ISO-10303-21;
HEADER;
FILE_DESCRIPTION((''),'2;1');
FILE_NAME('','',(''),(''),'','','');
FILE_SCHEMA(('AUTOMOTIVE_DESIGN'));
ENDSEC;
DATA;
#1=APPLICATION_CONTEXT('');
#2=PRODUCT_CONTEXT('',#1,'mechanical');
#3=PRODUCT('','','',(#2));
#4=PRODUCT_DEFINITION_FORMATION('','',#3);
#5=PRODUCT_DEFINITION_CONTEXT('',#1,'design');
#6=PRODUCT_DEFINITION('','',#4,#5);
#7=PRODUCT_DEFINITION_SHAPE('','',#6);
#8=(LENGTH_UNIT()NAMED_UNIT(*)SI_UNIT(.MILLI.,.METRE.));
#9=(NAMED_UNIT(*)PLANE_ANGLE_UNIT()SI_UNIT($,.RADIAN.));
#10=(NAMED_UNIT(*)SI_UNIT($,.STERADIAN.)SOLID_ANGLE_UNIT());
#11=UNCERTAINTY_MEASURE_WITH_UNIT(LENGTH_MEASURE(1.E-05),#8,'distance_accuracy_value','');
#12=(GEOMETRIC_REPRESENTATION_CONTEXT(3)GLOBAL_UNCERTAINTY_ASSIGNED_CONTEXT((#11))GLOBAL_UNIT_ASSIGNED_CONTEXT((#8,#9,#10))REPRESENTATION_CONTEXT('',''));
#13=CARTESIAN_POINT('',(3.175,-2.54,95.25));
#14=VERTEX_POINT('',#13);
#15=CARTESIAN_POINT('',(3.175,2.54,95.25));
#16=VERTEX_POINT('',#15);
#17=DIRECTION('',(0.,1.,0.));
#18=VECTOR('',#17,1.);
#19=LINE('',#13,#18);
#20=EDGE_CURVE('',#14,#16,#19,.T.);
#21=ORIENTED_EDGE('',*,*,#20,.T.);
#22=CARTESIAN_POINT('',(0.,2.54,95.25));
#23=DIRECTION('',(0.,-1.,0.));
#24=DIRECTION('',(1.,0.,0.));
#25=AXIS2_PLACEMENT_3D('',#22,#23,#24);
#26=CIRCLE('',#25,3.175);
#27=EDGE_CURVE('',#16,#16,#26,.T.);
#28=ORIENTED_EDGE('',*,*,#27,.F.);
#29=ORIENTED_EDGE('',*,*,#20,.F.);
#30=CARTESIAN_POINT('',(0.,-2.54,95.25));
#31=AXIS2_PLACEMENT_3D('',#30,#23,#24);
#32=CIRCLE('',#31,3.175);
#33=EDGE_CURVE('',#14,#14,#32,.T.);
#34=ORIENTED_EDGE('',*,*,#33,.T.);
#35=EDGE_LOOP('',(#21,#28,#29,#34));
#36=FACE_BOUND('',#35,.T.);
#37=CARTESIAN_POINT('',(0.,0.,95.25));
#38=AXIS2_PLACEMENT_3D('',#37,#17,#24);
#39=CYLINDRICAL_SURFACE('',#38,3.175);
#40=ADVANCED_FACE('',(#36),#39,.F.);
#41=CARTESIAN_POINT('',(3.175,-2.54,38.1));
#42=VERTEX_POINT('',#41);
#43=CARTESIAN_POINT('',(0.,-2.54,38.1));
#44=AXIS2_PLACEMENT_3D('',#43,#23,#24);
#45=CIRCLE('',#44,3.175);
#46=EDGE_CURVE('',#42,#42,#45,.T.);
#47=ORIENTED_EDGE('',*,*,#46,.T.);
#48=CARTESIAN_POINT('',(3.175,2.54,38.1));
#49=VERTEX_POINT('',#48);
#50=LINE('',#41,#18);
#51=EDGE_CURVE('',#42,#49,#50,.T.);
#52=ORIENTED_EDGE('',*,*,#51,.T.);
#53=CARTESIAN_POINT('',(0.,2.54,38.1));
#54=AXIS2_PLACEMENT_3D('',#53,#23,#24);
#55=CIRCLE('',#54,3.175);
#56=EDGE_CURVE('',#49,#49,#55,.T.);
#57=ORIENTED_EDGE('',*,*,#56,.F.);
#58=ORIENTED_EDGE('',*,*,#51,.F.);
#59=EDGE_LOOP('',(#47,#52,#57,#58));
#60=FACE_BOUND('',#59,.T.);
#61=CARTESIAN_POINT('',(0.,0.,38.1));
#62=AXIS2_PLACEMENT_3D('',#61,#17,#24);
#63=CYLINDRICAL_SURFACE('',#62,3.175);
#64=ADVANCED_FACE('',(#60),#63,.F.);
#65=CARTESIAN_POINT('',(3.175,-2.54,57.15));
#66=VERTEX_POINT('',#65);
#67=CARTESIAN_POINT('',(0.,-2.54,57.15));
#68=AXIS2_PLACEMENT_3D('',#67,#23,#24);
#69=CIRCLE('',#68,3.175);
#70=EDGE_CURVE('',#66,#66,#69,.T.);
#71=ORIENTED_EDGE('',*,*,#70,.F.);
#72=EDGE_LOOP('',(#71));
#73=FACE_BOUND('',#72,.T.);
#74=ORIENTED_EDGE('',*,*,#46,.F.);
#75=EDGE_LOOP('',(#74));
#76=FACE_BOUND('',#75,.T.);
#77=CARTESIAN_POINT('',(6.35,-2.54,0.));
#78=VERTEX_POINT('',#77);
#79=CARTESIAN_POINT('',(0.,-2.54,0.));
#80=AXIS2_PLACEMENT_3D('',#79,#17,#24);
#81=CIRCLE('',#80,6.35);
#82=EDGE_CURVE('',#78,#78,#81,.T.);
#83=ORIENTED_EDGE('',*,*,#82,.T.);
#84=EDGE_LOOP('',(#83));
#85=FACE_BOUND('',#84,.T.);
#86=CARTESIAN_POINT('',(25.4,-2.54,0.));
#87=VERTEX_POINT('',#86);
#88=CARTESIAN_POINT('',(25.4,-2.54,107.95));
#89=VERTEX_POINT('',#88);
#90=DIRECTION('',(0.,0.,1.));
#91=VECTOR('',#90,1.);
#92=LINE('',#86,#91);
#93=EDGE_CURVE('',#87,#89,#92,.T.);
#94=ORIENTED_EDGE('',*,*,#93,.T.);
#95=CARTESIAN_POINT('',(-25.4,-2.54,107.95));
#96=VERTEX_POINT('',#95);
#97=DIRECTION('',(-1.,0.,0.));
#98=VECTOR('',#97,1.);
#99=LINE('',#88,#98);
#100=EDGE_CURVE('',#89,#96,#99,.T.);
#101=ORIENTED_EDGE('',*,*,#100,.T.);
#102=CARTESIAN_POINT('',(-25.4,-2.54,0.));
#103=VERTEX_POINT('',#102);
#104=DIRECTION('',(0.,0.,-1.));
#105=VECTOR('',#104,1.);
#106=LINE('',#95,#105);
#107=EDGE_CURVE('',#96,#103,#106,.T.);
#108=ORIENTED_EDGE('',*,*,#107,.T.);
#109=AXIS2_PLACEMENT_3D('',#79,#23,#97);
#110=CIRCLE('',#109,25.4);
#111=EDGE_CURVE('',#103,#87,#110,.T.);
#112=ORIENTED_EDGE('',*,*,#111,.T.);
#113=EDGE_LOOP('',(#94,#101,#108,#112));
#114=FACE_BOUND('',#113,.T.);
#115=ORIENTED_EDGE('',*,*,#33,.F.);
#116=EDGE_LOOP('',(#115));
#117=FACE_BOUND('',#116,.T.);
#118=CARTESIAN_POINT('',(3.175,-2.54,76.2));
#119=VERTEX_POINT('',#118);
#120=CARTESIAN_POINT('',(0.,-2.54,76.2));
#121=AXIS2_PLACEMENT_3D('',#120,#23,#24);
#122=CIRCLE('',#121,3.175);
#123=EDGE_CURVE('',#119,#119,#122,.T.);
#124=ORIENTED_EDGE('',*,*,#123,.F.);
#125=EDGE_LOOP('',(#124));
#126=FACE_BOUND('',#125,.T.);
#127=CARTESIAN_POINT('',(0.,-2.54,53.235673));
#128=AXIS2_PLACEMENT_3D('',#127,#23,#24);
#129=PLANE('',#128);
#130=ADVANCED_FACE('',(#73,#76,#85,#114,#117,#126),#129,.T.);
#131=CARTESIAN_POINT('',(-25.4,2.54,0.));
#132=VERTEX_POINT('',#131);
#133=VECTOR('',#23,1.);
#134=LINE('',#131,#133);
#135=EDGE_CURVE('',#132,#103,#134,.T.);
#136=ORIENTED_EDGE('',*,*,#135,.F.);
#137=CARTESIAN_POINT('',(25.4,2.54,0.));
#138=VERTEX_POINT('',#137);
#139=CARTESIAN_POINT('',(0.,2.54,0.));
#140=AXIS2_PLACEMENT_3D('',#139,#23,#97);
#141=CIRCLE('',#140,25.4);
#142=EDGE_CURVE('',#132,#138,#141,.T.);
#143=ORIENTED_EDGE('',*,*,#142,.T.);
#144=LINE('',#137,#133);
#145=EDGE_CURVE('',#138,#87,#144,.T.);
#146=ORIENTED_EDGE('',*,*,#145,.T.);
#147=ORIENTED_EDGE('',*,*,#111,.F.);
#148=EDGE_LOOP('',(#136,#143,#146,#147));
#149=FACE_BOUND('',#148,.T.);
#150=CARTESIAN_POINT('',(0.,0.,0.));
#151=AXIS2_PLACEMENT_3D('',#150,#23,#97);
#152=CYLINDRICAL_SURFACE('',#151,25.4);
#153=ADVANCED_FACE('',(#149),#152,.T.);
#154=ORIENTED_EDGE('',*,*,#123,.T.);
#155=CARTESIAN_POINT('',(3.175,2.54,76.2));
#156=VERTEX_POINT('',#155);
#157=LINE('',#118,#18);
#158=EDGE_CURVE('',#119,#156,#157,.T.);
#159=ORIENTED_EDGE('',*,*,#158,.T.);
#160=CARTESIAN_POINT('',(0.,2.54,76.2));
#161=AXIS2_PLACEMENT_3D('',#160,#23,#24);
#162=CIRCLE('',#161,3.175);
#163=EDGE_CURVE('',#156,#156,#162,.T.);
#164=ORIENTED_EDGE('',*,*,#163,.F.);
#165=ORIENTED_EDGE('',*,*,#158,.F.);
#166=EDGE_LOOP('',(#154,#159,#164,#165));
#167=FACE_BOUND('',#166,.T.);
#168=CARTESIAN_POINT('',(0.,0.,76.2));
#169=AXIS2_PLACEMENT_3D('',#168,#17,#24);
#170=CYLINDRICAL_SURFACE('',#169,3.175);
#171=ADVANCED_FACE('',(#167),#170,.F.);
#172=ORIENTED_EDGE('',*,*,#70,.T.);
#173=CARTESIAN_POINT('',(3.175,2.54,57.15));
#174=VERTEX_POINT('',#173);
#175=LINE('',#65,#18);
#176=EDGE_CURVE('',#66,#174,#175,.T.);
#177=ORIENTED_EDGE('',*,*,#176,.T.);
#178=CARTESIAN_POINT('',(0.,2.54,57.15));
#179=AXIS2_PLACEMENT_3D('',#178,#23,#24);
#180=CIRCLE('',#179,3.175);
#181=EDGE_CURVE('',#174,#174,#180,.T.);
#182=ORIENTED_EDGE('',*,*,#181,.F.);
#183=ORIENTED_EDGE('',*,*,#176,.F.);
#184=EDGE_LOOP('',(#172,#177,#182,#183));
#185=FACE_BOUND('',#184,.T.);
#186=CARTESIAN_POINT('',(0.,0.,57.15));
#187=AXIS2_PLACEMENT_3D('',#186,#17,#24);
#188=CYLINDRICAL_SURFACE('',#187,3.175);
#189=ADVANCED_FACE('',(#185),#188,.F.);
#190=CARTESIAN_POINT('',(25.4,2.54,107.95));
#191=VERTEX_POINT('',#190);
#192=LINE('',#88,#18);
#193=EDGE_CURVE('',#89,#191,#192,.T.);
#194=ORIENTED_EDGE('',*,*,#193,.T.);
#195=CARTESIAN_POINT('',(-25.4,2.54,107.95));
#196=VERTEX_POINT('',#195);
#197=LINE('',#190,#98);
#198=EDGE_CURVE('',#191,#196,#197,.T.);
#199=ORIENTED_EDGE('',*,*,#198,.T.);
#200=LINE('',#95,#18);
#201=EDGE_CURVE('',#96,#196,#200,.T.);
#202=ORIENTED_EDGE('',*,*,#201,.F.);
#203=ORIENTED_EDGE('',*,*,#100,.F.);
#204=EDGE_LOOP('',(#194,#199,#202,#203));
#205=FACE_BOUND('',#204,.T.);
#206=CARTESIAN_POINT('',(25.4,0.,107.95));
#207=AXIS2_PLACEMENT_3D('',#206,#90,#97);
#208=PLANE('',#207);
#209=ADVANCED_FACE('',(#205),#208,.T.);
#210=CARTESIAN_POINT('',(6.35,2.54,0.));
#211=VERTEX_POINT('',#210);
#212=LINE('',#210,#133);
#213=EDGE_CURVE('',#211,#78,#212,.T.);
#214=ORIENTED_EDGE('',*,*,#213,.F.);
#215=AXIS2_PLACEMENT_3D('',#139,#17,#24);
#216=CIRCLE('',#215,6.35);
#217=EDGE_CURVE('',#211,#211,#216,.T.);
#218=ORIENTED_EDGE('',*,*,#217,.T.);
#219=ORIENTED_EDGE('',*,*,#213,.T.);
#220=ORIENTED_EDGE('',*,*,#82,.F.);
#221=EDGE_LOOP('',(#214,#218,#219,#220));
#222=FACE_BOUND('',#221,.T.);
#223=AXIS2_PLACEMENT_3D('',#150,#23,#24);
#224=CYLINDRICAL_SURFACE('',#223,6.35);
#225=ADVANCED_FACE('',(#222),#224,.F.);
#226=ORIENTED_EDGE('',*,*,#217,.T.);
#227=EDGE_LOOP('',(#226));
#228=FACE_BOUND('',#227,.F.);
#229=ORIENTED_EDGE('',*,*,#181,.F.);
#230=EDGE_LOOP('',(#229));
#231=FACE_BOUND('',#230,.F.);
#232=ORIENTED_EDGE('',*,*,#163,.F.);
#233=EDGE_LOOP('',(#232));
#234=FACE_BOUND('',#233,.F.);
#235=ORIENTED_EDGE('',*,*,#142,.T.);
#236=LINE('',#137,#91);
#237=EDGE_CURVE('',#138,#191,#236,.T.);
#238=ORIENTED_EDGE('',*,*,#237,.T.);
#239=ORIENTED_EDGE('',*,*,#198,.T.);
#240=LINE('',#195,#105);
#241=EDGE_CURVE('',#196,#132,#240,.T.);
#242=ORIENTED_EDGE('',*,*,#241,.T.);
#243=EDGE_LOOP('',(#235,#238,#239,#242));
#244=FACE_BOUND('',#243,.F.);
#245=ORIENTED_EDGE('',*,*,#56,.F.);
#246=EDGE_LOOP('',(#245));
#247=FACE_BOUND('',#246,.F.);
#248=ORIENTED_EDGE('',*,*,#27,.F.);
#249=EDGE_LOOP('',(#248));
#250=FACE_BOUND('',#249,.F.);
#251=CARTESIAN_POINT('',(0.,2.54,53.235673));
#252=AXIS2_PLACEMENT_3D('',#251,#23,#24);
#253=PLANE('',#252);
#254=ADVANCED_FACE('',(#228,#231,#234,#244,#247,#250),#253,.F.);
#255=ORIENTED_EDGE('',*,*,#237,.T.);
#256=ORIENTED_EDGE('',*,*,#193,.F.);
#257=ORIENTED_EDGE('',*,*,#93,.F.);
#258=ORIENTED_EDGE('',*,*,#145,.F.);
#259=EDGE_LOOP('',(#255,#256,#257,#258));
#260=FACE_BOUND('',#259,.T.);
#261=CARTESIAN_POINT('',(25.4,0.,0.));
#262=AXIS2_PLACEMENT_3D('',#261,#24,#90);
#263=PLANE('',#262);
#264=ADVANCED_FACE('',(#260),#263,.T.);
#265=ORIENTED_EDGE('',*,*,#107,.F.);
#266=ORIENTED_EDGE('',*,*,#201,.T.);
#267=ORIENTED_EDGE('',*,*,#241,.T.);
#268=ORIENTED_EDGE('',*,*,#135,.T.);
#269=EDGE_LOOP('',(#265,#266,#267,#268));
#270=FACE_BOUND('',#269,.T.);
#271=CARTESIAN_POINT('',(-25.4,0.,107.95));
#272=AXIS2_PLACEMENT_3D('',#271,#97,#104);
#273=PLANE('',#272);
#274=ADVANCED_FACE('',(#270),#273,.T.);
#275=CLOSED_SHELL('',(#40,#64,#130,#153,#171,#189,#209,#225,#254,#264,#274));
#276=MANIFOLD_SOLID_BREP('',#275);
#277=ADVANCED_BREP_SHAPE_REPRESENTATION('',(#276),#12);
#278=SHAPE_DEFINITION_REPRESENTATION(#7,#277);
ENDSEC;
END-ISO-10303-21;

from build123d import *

# Parameters (mm, degrees)
F0_R     = 3.175
F1_DEPTH = 2.54


with BuildPart() as f1:
    # F0 (on Front) → F1 (new body, symmetric)
    with BuildSketch(Plane.XZ):
        with BuildLine():
            ThreePointArc((-25.4, 0), (0, 25.4), (25.4, 0))
            Line((25.4, 0), (25.4, 107.95))
            Line((25.4, 107.95), (-25.4, 107.95))
            Line((-25.4, 107.95), (-25.4, 0))
        make_face()
        with Locations((0, 38.1)):
            Circle(F0_R, mode=Mode.SUBTRACT)
        with Locations((0, 57.15)):
            Circle(F0_R, mode=Mode.SUBTRACT)
        with Locations((0, 76.2)):
            Circle(F0_R, mode=Mode.SUBTRACT)
        with Locations((0, 95.25)):
            Circle(F0_R, mode=Mode.SUBTRACT)
        with BuildLine():
            Line((6.35, 0), (25.4, 0))
            ThreePointArc((25.4, 0), (0, 25.4), (-25.4, 0))
            Line((-25.4, 0), (-6.35, 0))
            ThreePointArc((-6.35, 0), (0, 6.35), (6.35, 0))
        make_face()
        with BuildLine():
            ThreePointArc((-25.4, 0), (0, -25.4), (25.4, 0))
            Line((25.4, 0), (6.35, 0))
            ThreePointArc((6.35, 0), (0, -6.35), (-6.35, 0))
            Line((-6.35, 0), (-25.4, 0))
        make_face()
    extrude(amount=F1_DEPTH, both=True)


solid = f1.part
